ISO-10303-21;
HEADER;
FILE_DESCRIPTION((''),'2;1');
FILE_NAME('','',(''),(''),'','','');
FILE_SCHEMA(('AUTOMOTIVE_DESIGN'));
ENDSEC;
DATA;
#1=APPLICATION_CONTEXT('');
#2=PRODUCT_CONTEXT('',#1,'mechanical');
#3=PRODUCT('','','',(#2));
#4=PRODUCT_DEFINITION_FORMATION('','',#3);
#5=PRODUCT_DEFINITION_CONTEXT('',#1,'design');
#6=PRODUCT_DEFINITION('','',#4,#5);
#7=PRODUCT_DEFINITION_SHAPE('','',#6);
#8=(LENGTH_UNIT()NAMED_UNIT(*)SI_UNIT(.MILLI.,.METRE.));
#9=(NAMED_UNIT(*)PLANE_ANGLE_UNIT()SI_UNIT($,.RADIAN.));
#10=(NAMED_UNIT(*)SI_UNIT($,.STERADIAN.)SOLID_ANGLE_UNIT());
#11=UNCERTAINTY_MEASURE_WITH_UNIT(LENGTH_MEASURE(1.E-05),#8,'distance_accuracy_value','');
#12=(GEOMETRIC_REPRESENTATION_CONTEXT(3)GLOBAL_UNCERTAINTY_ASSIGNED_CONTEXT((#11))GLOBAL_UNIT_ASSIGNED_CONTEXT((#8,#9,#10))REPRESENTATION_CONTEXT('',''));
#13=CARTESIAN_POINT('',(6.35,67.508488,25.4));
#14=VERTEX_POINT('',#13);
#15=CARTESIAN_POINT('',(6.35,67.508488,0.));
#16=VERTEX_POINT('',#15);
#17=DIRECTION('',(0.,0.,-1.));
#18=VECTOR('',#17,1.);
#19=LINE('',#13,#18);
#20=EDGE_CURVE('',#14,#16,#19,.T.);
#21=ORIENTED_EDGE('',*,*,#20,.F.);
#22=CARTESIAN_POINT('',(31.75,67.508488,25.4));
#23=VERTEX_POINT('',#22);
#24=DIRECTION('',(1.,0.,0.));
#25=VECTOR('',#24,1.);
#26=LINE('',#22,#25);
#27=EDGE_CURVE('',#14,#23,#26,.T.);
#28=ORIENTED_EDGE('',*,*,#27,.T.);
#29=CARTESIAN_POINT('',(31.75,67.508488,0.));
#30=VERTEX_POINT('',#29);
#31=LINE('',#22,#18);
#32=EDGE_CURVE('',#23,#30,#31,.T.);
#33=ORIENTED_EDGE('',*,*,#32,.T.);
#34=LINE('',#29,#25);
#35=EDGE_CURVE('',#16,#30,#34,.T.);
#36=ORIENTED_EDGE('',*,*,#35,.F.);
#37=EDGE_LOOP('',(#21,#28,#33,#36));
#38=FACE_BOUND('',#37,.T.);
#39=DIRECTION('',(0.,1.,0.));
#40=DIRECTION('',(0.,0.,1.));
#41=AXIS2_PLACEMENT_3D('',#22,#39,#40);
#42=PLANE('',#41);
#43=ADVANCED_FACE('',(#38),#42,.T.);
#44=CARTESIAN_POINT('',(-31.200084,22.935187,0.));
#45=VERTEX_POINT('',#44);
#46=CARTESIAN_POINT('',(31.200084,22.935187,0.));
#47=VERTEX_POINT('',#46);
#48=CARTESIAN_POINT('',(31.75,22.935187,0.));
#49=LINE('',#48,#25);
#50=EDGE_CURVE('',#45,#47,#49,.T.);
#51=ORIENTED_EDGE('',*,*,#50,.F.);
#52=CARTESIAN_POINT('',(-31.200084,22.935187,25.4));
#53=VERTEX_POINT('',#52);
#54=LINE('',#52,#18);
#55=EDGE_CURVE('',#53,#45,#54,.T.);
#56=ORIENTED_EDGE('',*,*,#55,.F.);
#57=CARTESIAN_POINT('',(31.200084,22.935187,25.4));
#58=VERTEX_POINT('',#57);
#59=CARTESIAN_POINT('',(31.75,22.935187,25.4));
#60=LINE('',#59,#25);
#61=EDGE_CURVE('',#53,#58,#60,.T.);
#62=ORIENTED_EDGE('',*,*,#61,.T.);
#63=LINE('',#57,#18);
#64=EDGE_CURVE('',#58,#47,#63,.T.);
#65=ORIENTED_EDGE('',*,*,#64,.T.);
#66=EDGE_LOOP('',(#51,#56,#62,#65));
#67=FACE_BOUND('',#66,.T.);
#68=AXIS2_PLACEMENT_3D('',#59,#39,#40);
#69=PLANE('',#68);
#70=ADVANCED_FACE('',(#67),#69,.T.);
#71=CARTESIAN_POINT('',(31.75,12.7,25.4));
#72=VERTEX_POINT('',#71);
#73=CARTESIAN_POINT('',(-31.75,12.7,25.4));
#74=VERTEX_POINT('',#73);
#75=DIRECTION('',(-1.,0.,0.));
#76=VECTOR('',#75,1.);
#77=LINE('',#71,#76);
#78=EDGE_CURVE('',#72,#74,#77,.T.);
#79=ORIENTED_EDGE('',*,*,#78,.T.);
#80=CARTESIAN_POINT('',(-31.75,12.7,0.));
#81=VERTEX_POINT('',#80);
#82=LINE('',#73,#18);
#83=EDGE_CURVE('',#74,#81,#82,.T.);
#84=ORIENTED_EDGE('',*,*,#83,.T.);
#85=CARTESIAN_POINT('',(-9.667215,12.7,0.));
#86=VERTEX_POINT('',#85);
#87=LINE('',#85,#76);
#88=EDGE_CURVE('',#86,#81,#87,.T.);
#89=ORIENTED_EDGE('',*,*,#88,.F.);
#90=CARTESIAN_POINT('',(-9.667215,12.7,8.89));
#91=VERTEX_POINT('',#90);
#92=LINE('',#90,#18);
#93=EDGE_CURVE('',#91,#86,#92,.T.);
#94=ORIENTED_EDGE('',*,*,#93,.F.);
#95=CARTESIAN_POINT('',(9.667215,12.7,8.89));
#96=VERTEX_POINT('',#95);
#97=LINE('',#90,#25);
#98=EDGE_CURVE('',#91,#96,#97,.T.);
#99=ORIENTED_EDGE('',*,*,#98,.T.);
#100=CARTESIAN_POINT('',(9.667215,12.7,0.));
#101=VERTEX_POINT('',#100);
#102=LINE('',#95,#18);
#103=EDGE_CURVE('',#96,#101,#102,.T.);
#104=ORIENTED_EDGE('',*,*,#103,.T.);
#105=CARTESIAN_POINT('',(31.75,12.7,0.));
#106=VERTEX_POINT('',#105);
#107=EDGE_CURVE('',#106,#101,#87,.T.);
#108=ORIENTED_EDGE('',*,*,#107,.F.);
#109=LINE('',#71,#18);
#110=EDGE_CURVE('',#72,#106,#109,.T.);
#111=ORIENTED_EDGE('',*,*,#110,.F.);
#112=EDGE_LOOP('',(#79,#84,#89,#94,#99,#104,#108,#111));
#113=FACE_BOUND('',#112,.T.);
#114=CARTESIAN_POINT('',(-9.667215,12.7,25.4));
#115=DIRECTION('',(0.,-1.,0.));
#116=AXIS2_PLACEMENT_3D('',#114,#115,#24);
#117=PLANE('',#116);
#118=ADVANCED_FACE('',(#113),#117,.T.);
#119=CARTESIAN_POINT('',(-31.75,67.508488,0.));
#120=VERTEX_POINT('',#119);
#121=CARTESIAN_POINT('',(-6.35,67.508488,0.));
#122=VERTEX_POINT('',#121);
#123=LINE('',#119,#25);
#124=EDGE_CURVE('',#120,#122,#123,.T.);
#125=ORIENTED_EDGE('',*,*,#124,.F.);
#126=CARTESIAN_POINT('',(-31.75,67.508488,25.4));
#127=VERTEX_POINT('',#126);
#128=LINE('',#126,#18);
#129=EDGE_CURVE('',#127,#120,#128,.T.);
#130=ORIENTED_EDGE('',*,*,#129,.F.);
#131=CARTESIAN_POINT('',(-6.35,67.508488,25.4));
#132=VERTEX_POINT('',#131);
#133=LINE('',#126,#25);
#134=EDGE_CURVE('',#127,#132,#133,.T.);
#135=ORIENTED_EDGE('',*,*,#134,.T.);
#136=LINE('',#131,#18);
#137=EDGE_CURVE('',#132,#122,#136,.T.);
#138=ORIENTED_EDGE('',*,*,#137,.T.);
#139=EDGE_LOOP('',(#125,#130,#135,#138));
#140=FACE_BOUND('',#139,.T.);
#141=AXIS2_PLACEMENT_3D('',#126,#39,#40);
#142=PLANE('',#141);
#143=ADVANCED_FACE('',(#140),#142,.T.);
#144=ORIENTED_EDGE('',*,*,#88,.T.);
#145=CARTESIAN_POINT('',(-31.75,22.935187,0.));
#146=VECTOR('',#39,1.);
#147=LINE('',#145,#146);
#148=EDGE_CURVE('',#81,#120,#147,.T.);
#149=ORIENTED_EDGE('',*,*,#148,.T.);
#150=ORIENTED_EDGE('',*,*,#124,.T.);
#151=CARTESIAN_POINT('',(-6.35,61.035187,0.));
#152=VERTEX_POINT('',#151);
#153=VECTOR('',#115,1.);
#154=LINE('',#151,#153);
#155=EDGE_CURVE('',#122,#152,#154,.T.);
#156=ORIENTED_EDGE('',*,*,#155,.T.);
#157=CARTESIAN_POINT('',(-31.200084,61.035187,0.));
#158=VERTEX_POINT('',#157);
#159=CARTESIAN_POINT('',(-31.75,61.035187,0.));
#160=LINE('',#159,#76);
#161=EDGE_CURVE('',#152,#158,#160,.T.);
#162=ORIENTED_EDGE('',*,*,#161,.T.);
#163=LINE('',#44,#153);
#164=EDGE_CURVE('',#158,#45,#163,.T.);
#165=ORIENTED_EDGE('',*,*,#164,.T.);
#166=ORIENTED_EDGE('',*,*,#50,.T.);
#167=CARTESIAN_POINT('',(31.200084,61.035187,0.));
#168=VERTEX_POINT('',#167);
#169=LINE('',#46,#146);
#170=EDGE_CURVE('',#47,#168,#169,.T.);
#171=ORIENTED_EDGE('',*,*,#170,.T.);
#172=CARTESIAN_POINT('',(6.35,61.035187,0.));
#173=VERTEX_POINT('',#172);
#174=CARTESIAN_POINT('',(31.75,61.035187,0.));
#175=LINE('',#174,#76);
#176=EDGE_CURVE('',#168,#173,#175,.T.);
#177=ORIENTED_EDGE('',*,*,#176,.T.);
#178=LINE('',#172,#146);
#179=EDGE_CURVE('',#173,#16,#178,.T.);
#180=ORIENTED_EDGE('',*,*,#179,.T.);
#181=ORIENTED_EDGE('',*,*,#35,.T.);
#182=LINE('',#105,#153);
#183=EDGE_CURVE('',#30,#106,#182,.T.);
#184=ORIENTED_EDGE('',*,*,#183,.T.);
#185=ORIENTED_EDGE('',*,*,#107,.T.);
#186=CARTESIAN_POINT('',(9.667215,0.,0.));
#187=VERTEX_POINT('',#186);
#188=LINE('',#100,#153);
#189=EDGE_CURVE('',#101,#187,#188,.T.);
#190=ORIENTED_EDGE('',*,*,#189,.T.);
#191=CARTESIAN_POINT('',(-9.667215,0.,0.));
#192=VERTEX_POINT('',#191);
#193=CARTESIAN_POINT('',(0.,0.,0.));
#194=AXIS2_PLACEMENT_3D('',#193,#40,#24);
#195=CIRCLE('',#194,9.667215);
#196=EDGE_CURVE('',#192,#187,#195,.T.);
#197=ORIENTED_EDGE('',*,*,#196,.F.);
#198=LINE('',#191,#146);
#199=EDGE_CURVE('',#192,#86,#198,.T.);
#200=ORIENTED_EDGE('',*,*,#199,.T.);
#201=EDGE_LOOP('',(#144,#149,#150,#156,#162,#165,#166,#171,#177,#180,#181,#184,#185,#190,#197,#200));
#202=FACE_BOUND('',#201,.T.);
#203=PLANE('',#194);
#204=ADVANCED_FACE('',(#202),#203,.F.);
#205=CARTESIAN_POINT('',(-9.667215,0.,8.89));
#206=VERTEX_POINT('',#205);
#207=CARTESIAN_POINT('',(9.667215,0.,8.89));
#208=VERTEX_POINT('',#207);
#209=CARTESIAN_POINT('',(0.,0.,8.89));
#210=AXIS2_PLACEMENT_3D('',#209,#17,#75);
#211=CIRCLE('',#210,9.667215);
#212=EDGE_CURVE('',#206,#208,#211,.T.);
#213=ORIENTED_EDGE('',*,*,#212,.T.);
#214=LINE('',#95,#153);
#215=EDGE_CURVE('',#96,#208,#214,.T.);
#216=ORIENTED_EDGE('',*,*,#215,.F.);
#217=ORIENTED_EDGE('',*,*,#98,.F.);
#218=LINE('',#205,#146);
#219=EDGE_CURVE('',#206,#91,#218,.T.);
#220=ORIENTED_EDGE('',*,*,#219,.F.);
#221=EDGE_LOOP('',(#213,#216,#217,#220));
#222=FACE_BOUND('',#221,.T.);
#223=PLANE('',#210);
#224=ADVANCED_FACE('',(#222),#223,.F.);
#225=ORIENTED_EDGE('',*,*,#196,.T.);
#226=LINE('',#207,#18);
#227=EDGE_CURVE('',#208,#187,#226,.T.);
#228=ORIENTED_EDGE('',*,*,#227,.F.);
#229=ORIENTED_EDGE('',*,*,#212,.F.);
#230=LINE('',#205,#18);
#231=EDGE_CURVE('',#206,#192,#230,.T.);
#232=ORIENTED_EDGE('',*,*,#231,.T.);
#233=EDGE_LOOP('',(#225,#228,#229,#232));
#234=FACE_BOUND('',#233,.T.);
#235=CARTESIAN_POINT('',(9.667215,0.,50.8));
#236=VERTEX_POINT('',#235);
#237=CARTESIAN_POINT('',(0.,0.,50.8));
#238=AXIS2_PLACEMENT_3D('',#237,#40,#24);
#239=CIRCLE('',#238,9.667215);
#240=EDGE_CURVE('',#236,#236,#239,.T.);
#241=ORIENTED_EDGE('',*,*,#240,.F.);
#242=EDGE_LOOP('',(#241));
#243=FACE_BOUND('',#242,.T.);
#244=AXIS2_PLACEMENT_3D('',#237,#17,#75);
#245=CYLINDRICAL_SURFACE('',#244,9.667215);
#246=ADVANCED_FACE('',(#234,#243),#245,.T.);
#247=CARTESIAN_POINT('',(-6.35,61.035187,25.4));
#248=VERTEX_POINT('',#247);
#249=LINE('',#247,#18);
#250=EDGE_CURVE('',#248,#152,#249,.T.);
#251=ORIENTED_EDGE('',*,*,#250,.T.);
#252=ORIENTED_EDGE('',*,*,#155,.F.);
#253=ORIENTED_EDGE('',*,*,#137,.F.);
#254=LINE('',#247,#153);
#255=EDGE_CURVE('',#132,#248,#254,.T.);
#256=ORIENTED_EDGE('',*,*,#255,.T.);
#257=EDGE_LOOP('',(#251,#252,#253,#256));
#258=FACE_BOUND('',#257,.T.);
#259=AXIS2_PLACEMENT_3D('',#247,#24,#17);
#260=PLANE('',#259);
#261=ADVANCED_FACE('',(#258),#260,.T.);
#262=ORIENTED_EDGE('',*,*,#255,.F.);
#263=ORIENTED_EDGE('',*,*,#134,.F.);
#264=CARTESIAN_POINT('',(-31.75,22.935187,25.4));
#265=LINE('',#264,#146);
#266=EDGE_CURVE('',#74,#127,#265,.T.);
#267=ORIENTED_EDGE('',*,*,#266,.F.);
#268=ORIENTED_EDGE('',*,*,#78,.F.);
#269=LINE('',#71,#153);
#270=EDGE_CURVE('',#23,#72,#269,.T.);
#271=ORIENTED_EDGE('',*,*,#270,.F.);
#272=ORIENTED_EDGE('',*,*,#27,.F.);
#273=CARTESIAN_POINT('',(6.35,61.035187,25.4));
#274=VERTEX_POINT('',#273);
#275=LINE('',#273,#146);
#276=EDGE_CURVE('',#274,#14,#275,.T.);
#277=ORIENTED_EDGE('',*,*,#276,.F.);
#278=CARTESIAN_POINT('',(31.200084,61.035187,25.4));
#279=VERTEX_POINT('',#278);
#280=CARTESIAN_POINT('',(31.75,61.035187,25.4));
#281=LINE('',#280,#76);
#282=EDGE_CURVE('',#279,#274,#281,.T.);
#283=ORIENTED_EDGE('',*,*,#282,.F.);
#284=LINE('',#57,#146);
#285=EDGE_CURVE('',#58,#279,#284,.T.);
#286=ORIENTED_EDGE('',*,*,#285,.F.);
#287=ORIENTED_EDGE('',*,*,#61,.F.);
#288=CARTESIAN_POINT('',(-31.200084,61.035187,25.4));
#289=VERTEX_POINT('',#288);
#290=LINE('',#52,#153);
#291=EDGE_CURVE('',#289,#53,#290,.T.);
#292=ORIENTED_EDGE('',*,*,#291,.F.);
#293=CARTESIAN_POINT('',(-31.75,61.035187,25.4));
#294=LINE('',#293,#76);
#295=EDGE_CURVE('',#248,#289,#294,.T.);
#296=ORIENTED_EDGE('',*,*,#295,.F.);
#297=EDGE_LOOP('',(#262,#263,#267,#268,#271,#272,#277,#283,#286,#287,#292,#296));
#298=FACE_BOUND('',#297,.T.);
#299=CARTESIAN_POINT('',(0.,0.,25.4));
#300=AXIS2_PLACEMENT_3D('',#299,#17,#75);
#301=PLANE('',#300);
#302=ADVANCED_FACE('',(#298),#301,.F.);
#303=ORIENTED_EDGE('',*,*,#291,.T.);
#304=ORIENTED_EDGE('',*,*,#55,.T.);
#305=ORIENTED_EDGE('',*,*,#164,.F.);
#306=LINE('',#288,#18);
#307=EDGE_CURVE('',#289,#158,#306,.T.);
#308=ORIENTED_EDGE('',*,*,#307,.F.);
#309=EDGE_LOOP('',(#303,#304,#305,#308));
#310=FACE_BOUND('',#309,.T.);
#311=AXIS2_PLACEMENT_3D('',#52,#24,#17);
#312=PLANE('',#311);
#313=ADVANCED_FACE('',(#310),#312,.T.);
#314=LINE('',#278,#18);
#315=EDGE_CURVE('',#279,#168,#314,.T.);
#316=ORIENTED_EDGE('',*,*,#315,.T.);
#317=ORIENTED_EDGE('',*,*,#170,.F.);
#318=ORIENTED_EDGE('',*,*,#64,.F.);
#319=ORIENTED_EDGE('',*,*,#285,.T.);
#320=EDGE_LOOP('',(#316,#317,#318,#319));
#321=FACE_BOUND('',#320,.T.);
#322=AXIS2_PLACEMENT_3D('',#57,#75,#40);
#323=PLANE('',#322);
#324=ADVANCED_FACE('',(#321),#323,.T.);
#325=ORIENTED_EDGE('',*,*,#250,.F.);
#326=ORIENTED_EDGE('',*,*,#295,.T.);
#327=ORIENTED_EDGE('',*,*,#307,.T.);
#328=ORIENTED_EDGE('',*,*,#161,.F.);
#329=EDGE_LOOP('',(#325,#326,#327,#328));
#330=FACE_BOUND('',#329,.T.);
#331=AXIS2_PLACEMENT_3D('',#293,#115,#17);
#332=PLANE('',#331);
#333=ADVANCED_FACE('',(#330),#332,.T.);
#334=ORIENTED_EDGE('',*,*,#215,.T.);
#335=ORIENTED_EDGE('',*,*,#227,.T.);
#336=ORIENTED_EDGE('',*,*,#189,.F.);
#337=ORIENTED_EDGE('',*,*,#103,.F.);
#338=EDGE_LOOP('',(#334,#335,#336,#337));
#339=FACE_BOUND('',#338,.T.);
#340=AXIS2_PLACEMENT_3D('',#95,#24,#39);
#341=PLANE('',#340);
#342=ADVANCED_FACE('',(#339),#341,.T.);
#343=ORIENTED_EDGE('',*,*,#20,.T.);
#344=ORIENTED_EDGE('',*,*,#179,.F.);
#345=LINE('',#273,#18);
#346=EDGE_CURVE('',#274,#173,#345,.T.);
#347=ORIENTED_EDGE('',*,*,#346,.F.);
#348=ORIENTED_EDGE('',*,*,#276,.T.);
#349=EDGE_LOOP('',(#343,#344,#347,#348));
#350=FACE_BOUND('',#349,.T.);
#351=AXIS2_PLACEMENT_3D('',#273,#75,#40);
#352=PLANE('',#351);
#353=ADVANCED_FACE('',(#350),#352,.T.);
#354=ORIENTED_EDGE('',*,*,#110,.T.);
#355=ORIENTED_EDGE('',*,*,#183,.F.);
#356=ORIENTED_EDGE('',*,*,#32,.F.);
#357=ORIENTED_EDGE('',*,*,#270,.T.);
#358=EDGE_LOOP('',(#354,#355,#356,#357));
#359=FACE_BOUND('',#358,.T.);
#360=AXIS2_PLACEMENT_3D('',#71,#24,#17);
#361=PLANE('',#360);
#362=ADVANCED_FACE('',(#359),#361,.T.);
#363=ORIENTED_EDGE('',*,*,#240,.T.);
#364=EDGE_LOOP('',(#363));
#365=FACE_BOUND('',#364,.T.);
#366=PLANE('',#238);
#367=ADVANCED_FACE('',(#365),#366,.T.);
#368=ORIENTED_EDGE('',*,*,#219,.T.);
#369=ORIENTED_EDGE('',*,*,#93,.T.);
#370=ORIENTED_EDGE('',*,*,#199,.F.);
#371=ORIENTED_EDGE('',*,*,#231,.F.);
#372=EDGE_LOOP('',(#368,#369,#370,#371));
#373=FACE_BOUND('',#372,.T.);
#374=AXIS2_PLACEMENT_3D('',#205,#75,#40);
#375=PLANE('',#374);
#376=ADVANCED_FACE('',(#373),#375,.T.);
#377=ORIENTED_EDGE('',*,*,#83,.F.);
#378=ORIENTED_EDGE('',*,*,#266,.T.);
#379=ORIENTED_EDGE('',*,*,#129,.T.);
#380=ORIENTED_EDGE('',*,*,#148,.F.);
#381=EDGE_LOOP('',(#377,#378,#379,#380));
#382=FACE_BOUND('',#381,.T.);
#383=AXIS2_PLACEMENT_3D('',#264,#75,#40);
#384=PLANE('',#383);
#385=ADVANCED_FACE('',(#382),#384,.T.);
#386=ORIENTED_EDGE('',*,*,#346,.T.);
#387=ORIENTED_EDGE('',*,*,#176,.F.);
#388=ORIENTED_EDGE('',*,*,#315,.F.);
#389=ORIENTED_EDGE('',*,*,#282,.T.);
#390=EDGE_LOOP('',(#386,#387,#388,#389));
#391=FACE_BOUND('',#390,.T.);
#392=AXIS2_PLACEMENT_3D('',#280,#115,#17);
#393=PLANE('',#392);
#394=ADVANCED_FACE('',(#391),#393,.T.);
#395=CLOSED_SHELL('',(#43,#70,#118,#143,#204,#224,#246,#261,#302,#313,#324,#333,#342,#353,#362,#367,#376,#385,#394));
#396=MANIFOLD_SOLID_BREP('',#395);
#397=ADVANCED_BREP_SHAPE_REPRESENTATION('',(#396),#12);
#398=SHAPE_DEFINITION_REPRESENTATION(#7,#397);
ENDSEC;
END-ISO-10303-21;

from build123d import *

# Parameters (mm, degrees)
SKETCH1_R           = 9.667215137
BOSS_EXTRUDE1_DEPTH = 50.8
SKETCH2_W           = 19.334430274
SKETCH2_H           = 12.7
BOSS_EXTRUDE2_DEPTH = 8.89
BOSS_EXTRUDE3_DEPTH = 25.4
SKETCH5_W           = 0.549916313
SKETCH5_H           = 38.1
BOSS_EXTRUDE4_DEPTH = 25.4
SKETCH6_W           = 25.4
SKETCH6_H           = 6.473300788
BOSS_EXTRUDE5_DEPTH = 25.4


with BuildPart() as part:
    # Sketch1 → Boss-Extrude1 (new body)
    with BuildSketch(Plane.XY):
        Circle(SKETCH1_R)
    extrude(amount=BOSS_EXTRUDE1_DEPTH)

    # Sketch2 → Boss-Extrude2 (add)
    with BuildSketch(Plane(origin=(0, 0, 0), x_dir=(-1, 0, 0), z_dir=(0, 0, -1))):
        with Locations((0, 6.35)):
            Rectangle(SKETCH2_W, SKETCH2_H)
    extrude(amount=-BOSS_EXTRUDE2_DEPTH)

    # Sketch4 → Boss-Extrude3 (add)
    with BuildSketch(Plane(origin=(0, 0, 0), x_dir=(-1, 0, 0), z_dir=(0, 0, -1))):
        Polygon((-31.75, 12.7), (-31.75, 22.935187234), (31.75, 22.935187234), (31.75, 12.7), (9.667215137, 12.7), (-9.667215137, 12.7), align=None)
    extrude(amount=-BOSS_EXTRUDE3_DEPTH)

    # Sketch5 → Boss-Extrude4 (add)
    with BuildSketch(Plane(origin=(0, 0, 0), x_dir=(-1, 0, 0), z_dir=(0, 0, -1))):
        with Locations((31.475041844, 41.985187234)):
            Rectangle(SKETCH5_W, SKETCH5_H)
        with Locations((-31.475041844, 41.985187234)):
            Rectangle(SKETCH5_W, SKETCH5_H)
    extrude(amount=-BOSS_EXTRUDE4_DEPTH)

    # Sketch6 → Boss-Extrude5 (add)
    with BuildSketch(Plane(origin=(0, 0, 0), x_dir=(-1, 0, 0), z_dir=(0, 0, -1))):
        with Locations((19.05, 64.271837628)):
            Rectangle(SKETCH6_W, SKETCH6_H)
        with Locations((-19.05, 64.271837628)):
            Rectangle(SKETCH6_W, SKETCH6_H)
    extrude(amount=-BOSS_EXTRUDE5_DEPTH)


solid = part.part
